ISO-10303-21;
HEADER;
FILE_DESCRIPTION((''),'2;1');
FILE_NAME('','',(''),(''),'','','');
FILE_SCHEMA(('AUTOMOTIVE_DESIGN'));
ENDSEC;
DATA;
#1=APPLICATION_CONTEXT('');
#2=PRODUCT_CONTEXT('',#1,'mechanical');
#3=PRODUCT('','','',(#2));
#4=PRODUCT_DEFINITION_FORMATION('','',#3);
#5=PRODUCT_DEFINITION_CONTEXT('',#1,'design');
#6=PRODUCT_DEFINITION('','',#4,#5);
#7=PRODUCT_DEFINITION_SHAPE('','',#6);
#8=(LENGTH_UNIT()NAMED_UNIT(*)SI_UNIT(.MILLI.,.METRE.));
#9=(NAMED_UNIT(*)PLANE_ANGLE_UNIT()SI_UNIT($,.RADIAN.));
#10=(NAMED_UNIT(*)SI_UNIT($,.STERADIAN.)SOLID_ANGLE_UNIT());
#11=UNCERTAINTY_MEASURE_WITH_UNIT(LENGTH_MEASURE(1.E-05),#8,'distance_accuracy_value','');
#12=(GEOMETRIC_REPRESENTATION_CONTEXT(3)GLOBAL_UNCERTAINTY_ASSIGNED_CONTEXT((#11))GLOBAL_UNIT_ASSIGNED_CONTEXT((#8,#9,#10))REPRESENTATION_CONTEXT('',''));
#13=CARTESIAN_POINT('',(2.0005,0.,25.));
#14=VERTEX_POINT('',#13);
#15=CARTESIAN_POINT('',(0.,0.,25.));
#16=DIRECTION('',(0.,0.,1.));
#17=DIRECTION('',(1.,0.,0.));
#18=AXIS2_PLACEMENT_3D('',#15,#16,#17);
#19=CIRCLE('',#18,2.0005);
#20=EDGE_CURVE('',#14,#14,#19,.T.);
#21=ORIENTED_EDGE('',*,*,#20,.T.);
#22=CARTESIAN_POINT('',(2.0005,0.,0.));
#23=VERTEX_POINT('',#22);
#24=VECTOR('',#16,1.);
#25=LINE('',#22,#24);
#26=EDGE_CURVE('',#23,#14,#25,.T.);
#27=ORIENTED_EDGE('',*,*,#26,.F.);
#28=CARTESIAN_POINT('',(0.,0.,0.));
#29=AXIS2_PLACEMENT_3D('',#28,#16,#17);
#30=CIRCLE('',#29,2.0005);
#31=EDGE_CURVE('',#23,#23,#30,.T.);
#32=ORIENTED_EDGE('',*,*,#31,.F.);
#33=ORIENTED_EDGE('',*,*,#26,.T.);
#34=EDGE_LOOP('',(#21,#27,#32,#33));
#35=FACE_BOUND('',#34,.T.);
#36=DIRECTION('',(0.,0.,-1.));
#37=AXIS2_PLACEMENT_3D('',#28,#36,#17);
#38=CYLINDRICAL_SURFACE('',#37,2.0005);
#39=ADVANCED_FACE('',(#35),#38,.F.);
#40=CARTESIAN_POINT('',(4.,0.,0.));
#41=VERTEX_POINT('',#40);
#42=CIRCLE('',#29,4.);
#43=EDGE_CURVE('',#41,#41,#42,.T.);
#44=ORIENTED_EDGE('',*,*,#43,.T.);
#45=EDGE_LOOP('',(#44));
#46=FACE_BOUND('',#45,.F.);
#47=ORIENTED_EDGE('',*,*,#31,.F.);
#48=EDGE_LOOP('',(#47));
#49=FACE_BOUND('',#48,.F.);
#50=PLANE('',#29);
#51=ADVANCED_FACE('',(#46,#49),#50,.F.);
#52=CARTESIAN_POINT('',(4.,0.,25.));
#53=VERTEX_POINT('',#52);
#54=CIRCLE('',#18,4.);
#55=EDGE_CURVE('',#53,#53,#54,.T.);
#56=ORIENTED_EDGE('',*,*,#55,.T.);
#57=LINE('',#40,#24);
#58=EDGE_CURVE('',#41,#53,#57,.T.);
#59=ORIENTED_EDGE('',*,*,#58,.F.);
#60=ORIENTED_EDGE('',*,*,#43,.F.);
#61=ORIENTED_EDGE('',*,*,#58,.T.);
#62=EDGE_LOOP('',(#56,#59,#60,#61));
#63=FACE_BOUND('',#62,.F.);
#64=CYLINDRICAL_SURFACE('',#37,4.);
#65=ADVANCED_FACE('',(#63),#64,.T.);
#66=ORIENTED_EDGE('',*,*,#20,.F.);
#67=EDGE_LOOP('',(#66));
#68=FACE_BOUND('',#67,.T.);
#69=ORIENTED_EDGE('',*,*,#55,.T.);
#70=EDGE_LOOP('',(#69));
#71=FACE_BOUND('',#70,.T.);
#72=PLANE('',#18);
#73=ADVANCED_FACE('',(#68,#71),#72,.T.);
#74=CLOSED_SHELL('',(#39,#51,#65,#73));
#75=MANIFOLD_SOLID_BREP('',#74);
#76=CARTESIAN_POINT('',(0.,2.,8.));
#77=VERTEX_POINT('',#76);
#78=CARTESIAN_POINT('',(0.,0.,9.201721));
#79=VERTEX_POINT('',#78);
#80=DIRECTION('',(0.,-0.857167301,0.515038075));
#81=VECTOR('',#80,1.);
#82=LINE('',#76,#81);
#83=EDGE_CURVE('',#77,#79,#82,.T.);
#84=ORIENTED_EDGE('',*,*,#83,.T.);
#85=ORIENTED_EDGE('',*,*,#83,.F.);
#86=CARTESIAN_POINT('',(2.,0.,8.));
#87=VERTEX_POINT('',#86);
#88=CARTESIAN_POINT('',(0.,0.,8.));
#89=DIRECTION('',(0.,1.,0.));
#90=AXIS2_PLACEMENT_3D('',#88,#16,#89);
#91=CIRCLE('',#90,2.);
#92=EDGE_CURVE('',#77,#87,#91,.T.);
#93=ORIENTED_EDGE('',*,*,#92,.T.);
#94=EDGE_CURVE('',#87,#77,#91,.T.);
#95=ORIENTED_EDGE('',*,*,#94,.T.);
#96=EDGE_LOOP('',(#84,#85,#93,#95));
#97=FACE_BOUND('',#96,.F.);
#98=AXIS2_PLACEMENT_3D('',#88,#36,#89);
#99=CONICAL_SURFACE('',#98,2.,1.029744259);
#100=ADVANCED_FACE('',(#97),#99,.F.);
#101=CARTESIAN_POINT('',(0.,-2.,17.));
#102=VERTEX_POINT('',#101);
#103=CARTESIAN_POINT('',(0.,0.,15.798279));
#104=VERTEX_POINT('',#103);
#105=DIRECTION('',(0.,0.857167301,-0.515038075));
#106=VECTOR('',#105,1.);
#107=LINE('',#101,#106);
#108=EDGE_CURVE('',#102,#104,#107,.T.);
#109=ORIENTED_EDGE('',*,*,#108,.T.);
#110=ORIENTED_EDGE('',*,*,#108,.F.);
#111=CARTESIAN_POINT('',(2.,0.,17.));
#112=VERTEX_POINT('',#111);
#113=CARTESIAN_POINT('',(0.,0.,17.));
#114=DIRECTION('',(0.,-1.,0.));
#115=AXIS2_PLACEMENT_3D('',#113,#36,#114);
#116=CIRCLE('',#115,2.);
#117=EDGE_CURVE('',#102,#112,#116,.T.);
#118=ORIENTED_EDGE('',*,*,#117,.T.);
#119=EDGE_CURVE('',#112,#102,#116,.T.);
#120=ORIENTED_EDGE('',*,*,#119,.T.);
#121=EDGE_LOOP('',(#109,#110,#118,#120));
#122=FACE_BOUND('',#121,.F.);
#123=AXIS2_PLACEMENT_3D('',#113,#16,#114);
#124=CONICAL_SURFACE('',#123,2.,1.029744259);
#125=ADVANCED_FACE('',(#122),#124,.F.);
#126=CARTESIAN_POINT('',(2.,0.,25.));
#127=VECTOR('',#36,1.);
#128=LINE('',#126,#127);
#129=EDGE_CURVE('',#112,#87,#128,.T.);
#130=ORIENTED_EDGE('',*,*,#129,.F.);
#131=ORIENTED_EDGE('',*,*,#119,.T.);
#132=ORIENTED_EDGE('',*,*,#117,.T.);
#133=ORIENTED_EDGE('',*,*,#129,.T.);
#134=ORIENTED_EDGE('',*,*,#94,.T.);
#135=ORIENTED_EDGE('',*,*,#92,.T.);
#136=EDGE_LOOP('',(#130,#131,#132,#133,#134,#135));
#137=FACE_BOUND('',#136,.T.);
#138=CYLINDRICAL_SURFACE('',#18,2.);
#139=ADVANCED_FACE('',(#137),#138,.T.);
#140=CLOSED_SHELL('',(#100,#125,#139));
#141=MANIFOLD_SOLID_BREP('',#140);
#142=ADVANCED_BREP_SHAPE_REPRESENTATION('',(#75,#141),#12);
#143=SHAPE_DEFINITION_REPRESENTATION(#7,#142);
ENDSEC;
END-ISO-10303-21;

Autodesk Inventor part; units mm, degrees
ref_plane "YZ Plane" through (0, 0, 0) normal (1, 0, 0) x (0, 1, 0)
ref_plane "XZ Plane" through (0, 0, 0) normal (0, 1, 0) x (-1, 0, 0)
ref_plane "XY Plane" through (0, 0, 0) normal (0, 0, 1) x (1, 0, 0)
sketch "スケッチ1" plane through (0, 0, 0) normal (0, 0, 1) x (1, 0, 0)
  circle A0 centre (0, 0) radius 4
  circle A1 centre (0, 0) radius 2.0005
  dimension "d0" = 8
  dimension "d1" = 4.001
extrude "押し出し1" add sketch "スケッチ1" along normal blind 25
sketch "スケッチ2" plane through (0, 0, 25) normal (0, 0, 1) x (1, 0, 0)
  circle A0 centre (0, 0) radius 2
  dimension "d4" = 4
extrude "押し出し2" add sketch "スケッチ2" against normal blind 25
hole "穴1" at (0, 0, 25) direction (0, 0, -1) diameter 4 depth 8 tip angle 118
hole "穴2" at (0, 0, 0) direction (0, 0, 1) diameter 4 depth 8 tip angle 118
properties part number "スペーサーm4-25　簡易筒型" material "アルミニウム 2014-T4"
